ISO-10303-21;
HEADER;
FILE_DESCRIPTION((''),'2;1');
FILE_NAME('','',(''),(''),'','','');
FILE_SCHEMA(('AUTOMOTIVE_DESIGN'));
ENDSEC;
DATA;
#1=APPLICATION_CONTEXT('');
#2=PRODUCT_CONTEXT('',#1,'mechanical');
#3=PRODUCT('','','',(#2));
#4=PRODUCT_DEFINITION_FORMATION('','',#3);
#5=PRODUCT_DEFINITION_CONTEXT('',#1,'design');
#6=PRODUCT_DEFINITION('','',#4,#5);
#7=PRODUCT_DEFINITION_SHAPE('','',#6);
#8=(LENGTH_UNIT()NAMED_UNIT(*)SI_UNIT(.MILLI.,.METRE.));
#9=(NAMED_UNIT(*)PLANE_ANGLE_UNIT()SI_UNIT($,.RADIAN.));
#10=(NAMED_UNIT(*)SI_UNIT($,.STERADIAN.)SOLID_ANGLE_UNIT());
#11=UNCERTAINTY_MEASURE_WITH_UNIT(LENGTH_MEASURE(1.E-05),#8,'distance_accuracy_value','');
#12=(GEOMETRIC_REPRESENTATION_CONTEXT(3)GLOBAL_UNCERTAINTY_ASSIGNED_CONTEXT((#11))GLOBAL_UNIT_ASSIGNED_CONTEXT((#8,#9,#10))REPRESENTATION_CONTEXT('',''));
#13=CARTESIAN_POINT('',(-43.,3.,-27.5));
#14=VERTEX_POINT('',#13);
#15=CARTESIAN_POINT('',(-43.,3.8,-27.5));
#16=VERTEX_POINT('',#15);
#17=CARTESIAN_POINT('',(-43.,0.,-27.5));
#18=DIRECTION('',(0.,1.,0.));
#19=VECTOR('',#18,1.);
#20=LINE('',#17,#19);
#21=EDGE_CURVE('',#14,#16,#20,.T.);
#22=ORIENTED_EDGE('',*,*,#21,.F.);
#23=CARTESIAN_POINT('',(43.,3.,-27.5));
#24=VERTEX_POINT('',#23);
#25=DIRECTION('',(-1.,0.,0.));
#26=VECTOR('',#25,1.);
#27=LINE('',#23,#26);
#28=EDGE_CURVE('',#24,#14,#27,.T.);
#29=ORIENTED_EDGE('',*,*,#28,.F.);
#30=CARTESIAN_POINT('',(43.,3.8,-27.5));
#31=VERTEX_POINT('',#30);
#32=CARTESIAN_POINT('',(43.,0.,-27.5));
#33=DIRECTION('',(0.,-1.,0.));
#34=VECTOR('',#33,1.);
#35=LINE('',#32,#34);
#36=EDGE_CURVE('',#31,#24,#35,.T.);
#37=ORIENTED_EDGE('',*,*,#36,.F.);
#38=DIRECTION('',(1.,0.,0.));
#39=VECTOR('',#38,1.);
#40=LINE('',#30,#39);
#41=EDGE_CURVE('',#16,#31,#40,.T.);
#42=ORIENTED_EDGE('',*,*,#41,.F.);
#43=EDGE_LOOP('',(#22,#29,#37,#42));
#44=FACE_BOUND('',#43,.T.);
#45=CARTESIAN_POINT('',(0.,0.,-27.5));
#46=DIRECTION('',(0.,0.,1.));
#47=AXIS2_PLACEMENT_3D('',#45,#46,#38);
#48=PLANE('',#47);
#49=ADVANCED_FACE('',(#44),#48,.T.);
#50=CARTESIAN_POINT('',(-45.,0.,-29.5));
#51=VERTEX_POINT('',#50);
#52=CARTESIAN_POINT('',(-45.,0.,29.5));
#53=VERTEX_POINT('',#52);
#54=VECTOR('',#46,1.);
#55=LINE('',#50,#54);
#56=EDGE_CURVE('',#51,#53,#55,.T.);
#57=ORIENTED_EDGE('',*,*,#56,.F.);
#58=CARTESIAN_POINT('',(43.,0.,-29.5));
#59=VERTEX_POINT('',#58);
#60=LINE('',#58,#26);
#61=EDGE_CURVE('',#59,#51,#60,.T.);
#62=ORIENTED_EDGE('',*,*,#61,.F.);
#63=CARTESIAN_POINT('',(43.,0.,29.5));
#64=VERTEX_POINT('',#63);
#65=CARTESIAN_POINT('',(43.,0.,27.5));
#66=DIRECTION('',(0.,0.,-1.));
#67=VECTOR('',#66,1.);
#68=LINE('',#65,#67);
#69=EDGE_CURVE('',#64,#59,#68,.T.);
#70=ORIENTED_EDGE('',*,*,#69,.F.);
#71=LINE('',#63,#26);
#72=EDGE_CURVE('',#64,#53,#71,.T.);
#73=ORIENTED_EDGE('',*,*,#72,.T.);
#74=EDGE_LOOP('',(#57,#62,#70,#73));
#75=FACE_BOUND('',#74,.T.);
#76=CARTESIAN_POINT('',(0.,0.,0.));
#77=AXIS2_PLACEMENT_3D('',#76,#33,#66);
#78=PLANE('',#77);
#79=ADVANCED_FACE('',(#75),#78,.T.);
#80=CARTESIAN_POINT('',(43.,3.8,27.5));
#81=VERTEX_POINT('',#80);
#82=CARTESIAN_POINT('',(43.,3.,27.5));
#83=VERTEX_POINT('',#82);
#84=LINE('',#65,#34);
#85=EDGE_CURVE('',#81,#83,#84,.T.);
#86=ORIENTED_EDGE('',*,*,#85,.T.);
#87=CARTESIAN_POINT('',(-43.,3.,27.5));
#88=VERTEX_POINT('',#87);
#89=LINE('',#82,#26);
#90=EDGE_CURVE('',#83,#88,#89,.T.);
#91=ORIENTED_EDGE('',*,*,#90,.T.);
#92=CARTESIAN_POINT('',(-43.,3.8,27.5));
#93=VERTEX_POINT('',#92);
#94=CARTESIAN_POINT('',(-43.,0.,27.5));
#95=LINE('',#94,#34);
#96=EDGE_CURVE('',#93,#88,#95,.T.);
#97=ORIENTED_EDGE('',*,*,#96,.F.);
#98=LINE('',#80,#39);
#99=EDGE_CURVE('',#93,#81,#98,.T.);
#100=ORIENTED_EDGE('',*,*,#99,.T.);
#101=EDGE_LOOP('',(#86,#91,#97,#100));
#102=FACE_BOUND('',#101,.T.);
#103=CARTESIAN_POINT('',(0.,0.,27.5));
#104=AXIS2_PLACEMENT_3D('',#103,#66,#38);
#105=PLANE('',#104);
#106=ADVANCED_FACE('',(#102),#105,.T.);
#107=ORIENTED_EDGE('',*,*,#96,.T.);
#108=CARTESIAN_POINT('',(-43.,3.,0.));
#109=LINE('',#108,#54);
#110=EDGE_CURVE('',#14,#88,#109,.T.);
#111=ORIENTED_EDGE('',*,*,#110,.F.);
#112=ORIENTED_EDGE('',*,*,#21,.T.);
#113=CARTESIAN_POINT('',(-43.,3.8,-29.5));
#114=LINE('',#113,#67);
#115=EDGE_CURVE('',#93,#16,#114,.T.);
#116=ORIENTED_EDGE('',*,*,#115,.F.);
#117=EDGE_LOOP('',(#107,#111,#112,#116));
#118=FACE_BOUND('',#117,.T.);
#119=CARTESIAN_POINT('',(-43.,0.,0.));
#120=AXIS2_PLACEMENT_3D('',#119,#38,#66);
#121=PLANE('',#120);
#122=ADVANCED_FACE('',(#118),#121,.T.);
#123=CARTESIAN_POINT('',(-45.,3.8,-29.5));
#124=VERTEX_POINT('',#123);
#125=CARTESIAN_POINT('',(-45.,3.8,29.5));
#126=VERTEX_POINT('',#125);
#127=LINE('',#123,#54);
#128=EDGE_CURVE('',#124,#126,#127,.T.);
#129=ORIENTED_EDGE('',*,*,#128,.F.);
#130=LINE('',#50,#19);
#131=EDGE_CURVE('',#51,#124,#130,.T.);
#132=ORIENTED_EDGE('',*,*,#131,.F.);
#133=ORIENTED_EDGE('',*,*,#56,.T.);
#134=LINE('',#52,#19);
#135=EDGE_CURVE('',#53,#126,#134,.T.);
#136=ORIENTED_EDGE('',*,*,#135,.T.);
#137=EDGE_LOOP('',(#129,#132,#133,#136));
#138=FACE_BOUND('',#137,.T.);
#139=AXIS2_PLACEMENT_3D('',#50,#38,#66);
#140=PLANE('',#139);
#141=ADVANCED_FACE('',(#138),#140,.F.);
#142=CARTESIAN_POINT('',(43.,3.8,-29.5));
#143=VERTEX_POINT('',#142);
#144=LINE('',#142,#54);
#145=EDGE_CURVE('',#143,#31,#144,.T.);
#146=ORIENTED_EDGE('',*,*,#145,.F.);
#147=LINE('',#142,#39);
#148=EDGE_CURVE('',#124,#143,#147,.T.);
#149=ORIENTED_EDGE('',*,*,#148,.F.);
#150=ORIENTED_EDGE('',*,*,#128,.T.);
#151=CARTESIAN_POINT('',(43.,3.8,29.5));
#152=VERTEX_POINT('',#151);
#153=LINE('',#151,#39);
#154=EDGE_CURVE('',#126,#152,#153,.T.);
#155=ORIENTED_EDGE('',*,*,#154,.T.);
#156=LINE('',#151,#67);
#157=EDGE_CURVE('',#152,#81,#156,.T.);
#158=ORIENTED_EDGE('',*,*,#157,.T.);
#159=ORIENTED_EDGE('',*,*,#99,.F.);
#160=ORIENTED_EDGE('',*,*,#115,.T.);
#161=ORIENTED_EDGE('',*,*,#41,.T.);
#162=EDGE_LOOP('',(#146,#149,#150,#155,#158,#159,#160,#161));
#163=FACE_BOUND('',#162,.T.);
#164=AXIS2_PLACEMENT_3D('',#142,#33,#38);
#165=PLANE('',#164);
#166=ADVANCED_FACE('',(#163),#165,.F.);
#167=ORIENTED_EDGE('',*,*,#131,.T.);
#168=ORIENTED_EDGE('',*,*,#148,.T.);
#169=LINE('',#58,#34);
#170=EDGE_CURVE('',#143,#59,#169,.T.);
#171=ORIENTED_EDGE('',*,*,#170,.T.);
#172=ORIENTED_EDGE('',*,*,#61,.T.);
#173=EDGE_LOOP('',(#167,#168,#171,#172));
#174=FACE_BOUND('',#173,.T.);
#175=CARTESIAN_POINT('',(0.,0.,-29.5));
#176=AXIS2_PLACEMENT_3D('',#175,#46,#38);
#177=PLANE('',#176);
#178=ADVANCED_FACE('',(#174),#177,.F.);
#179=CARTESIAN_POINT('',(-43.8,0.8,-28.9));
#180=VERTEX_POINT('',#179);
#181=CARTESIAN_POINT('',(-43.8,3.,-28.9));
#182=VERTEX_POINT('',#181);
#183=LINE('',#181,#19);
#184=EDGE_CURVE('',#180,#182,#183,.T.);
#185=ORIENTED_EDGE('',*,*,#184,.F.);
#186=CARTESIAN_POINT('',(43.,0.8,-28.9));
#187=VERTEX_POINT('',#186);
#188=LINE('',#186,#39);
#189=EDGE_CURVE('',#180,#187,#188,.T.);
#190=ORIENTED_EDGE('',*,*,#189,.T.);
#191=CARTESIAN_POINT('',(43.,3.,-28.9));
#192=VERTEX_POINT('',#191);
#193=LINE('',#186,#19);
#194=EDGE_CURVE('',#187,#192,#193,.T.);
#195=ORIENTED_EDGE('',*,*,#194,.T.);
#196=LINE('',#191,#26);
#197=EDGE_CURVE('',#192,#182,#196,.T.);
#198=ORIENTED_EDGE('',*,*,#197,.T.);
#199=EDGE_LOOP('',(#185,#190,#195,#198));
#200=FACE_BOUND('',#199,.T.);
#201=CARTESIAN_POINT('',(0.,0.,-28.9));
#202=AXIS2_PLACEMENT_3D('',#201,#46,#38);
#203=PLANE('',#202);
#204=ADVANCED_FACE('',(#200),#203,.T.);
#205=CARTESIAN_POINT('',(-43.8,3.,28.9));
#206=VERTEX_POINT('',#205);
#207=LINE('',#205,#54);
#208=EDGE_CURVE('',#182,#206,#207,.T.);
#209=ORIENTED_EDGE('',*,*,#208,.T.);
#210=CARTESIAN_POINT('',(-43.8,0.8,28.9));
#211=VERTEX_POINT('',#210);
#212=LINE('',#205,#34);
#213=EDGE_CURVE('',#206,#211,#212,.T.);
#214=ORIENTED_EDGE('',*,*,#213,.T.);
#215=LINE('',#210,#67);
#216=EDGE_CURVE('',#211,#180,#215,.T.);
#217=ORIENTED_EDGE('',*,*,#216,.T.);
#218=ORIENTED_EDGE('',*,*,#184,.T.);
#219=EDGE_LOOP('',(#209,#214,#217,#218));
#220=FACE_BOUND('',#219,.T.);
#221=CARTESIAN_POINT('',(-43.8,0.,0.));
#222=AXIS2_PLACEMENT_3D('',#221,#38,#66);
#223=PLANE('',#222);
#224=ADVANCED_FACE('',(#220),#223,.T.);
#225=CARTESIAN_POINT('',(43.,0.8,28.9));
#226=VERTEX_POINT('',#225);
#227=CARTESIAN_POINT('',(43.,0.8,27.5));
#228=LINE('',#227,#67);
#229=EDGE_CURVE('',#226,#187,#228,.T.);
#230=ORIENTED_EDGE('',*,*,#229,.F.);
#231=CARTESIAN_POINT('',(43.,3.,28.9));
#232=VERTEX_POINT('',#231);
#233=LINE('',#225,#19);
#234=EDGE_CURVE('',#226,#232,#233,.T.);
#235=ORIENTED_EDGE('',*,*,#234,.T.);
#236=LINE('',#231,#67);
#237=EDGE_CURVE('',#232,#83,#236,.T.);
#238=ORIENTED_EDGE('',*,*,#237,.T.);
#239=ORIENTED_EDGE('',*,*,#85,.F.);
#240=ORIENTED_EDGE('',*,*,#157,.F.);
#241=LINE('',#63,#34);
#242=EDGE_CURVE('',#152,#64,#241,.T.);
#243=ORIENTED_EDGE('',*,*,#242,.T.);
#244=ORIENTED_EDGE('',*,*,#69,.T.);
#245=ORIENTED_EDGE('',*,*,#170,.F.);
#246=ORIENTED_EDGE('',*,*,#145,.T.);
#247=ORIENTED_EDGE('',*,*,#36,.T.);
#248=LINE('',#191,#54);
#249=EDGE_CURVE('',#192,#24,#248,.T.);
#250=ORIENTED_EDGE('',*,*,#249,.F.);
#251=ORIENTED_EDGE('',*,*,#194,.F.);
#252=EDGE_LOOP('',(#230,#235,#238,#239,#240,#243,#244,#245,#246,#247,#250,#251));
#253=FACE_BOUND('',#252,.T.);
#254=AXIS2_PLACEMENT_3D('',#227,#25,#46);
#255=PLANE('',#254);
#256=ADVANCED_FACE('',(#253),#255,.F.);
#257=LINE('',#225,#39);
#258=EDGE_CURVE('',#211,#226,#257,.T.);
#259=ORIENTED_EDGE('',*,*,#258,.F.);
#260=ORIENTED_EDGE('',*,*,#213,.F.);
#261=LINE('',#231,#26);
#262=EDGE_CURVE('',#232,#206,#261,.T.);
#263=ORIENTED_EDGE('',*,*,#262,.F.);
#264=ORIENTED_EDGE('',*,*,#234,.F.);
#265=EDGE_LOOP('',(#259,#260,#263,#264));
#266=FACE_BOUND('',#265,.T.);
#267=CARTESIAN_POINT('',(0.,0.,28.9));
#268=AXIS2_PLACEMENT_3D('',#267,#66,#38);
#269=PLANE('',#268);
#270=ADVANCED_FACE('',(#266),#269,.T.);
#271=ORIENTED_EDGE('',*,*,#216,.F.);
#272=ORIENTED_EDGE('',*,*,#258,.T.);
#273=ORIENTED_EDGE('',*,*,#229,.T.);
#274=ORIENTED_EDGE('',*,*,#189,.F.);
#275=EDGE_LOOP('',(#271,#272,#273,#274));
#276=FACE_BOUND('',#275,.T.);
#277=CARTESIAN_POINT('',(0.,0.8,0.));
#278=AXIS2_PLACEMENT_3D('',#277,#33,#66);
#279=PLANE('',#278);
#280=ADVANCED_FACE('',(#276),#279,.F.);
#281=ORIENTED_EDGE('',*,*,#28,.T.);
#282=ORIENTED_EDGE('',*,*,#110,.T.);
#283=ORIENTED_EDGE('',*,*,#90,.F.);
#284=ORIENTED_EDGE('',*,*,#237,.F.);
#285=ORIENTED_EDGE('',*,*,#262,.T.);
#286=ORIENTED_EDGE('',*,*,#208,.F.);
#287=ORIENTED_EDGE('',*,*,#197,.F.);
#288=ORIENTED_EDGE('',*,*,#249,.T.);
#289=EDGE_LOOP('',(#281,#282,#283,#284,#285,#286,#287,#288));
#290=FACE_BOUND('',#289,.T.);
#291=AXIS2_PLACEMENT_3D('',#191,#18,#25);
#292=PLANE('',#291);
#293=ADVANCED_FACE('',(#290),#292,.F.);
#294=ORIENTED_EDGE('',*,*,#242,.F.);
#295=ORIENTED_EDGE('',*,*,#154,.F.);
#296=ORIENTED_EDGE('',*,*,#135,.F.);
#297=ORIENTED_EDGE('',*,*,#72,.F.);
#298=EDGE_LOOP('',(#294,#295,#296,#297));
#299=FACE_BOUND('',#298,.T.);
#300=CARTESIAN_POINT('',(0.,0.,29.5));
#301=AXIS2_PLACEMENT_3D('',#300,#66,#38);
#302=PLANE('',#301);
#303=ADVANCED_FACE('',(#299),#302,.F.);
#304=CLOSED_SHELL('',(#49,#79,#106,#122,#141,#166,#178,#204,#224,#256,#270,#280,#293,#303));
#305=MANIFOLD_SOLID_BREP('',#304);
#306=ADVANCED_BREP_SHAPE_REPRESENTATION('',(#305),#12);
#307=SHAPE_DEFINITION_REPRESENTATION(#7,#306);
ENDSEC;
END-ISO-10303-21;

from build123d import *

# Parameters (mm, degrees)
SKETCH_1_W          = 86
SKETCH_1_H          = 55
EXTRUDE_311_DEPTH   = 0.8
SKETCH_2_W          = 88
SKETCH_2_H          = 3.8
EXTRUDE_1_DEPTH     = 2
SKETCH_3_W          = 87.2
SKETCH_3_H          = 2.2
CUT_EXTRUDE_1_DEPTH = 1.4
SKETCH_4_W          = 59
SKETCH_4_H          = 3.8
EXTRUDE_2_DEPTH     = 2
SKETCH_5_W          = 57.8
SKETCH_5_H          = 2.2
CUT_EXTRUDE_2_DEPTH = 0.8


with BuildPart() as part:
    # Эскиз1 → Extrude 311 (new body)
    with BuildSketch(Plane(origin=(0, 0, 0), x_dir=(1, 0, 0), z_dir=(0, 1, 0))):
        Rectangle(SKETCH_1_W, SKETCH_1_H)
    extrude(amount=EXTRUDE_311_DEPTH)

    # Эскиз2 → Бобышка-Вытянуть1 (add)
    with BuildSketch(Plane(origin=(0, 0, -27.5), x_dir=(-1, 0, 0), z_dir=(0, 0, -1))):
        with Locations((1, 1.9)):
            Rectangle(SKETCH_2_W, SKETCH_2_H)
    extrude_1 = extrude(amount=EXTRUDE_1_DEPTH)

    # Эскиз3 → Вырез-Вытянуть1 (cut)
    with BuildSketch(Plane.XY.offset(-27.5)):
        with Locations((-0.6, 1.9)):
            Rectangle(SKETCH_3_W, SKETCH_3_H)
    cut_extrude_1 = extrude(amount=-CUT_EXTRUDE_1_DEPTH, mode=Mode.SUBTRACT)

    # Зеркальное отражение1: Бобышка-Вытянуть1, Вырез-Вытянуть1 across plane
    add(extrude_1.mirror(Plane.XY))
    add(cut_extrude_1.mirror(Plane.XY), mode=Mode.SUBTRACT)

    # Эскиз4 → Бобышка-Вытянуть2 (add)
    with BuildSketch(Plane.ZY.offset(43)):
        with Locations((0, 1.9)):
            Rectangle(SKETCH_4_W, SKETCH_4_H)
    extrude(amount=EXTRUDE_2_DEPTH)

    # Эскиз5 → Вырез-Вытянуть2 (cut)
    with BuildSketch(Plane(origin=(-43, 0, 0), x_dir=(0, 0, -1), z_dir=(1, 0, 0))):
        with Locations((0, 1.9)):
            Rectangle(SKETCH_5_W, SKETCH_5_H)
    extrude(amount=-CUT_EXTRUDE_2_DEPTH, mode=Mode.SUBTRACT)


solid = part.part
